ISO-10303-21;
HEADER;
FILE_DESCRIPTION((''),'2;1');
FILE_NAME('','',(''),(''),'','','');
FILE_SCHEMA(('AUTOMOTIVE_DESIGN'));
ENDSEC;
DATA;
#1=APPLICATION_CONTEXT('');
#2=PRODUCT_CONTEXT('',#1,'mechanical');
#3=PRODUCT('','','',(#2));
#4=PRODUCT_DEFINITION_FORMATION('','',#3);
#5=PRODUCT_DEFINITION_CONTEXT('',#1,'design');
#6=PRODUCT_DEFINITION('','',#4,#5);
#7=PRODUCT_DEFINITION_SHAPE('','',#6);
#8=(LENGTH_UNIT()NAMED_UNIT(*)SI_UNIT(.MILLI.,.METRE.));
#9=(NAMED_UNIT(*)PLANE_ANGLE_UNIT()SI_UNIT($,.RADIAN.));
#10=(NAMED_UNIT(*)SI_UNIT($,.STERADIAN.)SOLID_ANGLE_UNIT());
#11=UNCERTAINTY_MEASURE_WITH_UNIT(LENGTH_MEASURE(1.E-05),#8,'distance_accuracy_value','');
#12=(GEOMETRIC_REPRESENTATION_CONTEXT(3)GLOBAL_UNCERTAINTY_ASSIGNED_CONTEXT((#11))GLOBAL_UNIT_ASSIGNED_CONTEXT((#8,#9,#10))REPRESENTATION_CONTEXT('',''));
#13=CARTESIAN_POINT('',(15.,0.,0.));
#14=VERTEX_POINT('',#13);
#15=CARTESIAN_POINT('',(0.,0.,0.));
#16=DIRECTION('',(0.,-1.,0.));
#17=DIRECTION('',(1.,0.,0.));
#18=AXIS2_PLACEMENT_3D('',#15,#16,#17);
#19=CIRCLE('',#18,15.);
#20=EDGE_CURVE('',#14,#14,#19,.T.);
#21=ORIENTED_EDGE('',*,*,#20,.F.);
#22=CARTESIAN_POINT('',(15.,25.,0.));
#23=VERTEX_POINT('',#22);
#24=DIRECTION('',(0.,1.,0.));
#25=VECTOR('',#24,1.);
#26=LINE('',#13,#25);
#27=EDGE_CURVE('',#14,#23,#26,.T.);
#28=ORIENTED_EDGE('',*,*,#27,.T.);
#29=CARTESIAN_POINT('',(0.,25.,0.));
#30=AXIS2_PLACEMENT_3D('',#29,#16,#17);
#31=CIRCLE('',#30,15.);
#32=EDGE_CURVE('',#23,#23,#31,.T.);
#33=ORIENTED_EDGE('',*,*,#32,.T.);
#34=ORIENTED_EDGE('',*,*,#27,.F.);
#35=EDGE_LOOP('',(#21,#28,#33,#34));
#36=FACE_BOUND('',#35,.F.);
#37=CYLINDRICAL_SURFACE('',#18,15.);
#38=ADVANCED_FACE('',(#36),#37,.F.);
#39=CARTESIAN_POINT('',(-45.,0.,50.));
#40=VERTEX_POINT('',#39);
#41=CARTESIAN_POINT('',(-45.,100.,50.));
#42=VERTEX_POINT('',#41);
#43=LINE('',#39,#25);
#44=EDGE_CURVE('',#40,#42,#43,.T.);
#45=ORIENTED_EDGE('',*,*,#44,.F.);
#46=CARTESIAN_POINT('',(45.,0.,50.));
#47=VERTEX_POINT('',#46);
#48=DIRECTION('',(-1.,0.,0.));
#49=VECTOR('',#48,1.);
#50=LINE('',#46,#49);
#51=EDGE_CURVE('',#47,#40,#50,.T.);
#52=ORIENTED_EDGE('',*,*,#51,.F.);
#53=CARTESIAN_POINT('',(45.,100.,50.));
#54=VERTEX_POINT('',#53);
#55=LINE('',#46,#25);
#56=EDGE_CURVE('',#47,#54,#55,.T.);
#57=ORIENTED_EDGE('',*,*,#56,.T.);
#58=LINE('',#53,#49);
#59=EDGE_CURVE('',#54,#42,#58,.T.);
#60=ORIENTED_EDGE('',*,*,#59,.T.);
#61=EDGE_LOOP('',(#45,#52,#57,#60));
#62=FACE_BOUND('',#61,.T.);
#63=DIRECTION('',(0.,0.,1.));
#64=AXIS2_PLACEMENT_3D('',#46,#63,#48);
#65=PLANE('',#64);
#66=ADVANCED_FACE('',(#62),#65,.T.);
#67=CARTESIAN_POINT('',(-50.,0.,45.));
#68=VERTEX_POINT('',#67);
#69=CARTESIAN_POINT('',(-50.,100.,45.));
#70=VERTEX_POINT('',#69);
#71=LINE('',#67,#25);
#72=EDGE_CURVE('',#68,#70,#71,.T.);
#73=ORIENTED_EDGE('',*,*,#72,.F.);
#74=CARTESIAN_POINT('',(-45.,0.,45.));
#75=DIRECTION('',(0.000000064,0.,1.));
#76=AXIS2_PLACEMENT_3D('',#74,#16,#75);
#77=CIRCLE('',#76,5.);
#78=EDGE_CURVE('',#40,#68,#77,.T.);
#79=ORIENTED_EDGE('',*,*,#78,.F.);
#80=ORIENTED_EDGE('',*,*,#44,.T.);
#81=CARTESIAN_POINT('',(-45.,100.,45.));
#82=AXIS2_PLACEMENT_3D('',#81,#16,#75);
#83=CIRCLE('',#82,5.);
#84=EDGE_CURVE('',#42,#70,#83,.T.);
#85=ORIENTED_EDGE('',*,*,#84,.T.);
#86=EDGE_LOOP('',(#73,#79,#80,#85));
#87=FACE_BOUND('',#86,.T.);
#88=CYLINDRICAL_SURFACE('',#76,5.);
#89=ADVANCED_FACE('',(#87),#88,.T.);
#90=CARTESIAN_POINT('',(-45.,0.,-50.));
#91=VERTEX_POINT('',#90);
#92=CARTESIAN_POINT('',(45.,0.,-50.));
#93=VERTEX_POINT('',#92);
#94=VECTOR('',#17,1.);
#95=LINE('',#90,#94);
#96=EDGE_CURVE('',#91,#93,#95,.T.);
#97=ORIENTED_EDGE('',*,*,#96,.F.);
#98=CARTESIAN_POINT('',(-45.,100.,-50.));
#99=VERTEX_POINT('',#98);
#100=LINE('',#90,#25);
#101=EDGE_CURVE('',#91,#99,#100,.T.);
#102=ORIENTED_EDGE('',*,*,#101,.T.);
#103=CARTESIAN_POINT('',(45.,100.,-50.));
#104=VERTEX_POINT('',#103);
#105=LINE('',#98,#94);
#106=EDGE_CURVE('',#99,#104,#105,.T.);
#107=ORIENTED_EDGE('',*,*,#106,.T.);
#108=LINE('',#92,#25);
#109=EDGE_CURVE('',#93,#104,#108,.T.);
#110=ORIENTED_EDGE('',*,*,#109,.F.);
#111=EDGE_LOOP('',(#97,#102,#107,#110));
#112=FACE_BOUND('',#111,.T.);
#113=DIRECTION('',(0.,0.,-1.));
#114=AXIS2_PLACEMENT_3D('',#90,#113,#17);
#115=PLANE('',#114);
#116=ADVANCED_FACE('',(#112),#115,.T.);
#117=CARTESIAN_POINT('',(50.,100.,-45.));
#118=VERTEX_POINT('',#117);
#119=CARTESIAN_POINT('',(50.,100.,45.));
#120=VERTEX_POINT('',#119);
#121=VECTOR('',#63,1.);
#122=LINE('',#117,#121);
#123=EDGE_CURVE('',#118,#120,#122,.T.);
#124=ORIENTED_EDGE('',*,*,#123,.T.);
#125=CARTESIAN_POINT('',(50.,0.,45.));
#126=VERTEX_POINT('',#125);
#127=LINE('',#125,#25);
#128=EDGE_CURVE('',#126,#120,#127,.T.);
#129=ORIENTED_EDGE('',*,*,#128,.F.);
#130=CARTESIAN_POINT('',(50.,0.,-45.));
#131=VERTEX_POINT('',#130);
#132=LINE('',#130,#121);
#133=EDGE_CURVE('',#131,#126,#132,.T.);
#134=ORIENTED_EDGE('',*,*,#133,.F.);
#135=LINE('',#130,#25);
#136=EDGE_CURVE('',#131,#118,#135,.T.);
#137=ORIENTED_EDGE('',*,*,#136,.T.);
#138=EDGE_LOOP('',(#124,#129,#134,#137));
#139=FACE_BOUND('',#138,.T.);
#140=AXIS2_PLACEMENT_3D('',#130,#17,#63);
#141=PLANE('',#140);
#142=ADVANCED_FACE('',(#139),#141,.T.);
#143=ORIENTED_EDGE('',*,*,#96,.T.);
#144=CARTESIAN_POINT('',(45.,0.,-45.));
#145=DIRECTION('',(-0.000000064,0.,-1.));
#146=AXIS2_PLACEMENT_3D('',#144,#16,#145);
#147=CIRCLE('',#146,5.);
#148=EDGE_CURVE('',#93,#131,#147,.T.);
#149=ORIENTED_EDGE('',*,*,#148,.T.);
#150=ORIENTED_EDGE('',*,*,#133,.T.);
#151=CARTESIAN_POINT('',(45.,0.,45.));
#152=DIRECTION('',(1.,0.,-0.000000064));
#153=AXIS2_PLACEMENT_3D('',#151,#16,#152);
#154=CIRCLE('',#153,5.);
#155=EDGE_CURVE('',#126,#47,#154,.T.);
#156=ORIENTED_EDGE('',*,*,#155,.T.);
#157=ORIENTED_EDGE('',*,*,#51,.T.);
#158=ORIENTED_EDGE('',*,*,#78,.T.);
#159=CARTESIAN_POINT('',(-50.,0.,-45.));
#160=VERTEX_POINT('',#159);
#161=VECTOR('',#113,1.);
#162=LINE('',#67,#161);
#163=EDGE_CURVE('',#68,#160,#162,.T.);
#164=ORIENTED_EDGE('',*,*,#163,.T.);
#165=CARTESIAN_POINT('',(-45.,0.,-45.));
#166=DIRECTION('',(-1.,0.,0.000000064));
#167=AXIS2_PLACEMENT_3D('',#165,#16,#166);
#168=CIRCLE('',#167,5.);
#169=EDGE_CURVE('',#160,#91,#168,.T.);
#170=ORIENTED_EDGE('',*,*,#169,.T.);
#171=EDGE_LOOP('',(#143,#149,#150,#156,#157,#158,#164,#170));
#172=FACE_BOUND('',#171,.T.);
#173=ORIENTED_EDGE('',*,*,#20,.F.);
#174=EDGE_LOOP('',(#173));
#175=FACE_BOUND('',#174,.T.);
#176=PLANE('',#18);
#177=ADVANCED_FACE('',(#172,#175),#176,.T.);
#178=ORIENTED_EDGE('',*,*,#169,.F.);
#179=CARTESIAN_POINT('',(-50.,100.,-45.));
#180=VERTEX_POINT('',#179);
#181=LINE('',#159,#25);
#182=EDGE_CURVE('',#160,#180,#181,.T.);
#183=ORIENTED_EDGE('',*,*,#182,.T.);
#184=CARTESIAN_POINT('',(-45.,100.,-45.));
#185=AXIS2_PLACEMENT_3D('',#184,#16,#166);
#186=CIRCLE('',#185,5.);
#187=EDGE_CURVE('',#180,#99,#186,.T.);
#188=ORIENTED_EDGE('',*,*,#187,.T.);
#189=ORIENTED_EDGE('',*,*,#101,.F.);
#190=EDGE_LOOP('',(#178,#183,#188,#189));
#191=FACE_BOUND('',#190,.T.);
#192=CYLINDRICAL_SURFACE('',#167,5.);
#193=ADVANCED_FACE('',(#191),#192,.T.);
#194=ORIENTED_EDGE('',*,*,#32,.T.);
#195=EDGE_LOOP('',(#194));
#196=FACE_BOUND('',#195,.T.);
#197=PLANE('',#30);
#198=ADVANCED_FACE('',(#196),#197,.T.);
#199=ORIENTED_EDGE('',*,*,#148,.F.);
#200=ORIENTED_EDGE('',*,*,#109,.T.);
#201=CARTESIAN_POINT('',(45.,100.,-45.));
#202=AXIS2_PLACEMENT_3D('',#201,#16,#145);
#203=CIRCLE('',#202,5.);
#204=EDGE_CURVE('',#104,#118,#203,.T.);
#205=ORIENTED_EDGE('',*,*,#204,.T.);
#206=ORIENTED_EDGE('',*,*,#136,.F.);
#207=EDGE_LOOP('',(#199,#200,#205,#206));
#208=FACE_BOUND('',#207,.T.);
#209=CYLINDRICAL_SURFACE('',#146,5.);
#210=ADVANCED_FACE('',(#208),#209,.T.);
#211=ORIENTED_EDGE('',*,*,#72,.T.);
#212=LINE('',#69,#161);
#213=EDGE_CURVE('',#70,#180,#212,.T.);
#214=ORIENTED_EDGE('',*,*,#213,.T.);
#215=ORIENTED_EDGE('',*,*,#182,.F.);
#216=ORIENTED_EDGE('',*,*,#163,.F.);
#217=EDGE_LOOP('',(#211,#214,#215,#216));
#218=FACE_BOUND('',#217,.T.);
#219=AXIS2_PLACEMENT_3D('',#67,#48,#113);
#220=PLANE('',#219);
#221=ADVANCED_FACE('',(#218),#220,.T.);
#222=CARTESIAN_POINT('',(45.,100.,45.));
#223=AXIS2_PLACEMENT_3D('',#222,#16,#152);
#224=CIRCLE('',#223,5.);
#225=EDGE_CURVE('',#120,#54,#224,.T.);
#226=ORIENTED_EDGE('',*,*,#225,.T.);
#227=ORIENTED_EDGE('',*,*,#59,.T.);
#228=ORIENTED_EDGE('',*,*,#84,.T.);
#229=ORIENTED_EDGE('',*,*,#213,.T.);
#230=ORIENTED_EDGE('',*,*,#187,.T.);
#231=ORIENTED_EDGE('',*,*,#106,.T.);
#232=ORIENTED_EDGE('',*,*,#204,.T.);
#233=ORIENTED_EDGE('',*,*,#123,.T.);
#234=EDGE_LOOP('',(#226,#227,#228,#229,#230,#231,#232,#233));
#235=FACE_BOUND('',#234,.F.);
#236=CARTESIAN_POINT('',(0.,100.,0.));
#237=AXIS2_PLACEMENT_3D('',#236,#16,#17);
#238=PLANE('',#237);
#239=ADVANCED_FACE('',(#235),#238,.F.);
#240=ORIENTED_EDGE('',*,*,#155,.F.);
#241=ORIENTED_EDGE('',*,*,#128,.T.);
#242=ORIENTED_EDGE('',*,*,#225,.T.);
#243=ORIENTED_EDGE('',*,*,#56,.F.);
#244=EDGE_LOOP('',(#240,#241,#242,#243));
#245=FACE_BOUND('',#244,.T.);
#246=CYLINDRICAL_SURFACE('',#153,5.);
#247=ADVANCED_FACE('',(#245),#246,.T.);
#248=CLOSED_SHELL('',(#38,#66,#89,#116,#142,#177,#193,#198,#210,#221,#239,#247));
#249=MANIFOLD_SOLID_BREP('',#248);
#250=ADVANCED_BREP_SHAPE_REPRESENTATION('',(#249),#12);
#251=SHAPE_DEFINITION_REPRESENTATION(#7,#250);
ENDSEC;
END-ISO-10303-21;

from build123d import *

# Parameters (mm, degrees)
F1_DEPTH = 100
F2_R     = 15
F3_DEPTH = 25


with BuildPart() as f1:
    # F0 (on Front) → F1 (new body)
    with BuildSketch(Plane.XZ):
        with BuildLine():
            Line((-45, -50), (45, -50))
            ThreePointArc((45, -50), (48.535534, -48.535534), (50, -45))
            Line((50, -45), (50, 45))
            ThreePointArc((50, 45), (48.535534, 48.535534), (45, 50))
            Line((45, 50), (-45, 50))
            ThreePointArc((-45, 50), (-48.535534, 48.535534), (-50, 45))
            Line((-50, 45), (-50, -45))
            ThreePointArc((-50, -45), (-48.535534, -48.535534), (-45, -50))
        make_face()
    extrude(amount=-F1_DEPTH)

    # F2 (on face) → F3 (cut)
    with BuildSketch(Plane.XZ):
        Circle(F2_R)
    extrude(amount=-F3_DEPTH, mode=Mode.SUBTRACT)


solid = f1.part
